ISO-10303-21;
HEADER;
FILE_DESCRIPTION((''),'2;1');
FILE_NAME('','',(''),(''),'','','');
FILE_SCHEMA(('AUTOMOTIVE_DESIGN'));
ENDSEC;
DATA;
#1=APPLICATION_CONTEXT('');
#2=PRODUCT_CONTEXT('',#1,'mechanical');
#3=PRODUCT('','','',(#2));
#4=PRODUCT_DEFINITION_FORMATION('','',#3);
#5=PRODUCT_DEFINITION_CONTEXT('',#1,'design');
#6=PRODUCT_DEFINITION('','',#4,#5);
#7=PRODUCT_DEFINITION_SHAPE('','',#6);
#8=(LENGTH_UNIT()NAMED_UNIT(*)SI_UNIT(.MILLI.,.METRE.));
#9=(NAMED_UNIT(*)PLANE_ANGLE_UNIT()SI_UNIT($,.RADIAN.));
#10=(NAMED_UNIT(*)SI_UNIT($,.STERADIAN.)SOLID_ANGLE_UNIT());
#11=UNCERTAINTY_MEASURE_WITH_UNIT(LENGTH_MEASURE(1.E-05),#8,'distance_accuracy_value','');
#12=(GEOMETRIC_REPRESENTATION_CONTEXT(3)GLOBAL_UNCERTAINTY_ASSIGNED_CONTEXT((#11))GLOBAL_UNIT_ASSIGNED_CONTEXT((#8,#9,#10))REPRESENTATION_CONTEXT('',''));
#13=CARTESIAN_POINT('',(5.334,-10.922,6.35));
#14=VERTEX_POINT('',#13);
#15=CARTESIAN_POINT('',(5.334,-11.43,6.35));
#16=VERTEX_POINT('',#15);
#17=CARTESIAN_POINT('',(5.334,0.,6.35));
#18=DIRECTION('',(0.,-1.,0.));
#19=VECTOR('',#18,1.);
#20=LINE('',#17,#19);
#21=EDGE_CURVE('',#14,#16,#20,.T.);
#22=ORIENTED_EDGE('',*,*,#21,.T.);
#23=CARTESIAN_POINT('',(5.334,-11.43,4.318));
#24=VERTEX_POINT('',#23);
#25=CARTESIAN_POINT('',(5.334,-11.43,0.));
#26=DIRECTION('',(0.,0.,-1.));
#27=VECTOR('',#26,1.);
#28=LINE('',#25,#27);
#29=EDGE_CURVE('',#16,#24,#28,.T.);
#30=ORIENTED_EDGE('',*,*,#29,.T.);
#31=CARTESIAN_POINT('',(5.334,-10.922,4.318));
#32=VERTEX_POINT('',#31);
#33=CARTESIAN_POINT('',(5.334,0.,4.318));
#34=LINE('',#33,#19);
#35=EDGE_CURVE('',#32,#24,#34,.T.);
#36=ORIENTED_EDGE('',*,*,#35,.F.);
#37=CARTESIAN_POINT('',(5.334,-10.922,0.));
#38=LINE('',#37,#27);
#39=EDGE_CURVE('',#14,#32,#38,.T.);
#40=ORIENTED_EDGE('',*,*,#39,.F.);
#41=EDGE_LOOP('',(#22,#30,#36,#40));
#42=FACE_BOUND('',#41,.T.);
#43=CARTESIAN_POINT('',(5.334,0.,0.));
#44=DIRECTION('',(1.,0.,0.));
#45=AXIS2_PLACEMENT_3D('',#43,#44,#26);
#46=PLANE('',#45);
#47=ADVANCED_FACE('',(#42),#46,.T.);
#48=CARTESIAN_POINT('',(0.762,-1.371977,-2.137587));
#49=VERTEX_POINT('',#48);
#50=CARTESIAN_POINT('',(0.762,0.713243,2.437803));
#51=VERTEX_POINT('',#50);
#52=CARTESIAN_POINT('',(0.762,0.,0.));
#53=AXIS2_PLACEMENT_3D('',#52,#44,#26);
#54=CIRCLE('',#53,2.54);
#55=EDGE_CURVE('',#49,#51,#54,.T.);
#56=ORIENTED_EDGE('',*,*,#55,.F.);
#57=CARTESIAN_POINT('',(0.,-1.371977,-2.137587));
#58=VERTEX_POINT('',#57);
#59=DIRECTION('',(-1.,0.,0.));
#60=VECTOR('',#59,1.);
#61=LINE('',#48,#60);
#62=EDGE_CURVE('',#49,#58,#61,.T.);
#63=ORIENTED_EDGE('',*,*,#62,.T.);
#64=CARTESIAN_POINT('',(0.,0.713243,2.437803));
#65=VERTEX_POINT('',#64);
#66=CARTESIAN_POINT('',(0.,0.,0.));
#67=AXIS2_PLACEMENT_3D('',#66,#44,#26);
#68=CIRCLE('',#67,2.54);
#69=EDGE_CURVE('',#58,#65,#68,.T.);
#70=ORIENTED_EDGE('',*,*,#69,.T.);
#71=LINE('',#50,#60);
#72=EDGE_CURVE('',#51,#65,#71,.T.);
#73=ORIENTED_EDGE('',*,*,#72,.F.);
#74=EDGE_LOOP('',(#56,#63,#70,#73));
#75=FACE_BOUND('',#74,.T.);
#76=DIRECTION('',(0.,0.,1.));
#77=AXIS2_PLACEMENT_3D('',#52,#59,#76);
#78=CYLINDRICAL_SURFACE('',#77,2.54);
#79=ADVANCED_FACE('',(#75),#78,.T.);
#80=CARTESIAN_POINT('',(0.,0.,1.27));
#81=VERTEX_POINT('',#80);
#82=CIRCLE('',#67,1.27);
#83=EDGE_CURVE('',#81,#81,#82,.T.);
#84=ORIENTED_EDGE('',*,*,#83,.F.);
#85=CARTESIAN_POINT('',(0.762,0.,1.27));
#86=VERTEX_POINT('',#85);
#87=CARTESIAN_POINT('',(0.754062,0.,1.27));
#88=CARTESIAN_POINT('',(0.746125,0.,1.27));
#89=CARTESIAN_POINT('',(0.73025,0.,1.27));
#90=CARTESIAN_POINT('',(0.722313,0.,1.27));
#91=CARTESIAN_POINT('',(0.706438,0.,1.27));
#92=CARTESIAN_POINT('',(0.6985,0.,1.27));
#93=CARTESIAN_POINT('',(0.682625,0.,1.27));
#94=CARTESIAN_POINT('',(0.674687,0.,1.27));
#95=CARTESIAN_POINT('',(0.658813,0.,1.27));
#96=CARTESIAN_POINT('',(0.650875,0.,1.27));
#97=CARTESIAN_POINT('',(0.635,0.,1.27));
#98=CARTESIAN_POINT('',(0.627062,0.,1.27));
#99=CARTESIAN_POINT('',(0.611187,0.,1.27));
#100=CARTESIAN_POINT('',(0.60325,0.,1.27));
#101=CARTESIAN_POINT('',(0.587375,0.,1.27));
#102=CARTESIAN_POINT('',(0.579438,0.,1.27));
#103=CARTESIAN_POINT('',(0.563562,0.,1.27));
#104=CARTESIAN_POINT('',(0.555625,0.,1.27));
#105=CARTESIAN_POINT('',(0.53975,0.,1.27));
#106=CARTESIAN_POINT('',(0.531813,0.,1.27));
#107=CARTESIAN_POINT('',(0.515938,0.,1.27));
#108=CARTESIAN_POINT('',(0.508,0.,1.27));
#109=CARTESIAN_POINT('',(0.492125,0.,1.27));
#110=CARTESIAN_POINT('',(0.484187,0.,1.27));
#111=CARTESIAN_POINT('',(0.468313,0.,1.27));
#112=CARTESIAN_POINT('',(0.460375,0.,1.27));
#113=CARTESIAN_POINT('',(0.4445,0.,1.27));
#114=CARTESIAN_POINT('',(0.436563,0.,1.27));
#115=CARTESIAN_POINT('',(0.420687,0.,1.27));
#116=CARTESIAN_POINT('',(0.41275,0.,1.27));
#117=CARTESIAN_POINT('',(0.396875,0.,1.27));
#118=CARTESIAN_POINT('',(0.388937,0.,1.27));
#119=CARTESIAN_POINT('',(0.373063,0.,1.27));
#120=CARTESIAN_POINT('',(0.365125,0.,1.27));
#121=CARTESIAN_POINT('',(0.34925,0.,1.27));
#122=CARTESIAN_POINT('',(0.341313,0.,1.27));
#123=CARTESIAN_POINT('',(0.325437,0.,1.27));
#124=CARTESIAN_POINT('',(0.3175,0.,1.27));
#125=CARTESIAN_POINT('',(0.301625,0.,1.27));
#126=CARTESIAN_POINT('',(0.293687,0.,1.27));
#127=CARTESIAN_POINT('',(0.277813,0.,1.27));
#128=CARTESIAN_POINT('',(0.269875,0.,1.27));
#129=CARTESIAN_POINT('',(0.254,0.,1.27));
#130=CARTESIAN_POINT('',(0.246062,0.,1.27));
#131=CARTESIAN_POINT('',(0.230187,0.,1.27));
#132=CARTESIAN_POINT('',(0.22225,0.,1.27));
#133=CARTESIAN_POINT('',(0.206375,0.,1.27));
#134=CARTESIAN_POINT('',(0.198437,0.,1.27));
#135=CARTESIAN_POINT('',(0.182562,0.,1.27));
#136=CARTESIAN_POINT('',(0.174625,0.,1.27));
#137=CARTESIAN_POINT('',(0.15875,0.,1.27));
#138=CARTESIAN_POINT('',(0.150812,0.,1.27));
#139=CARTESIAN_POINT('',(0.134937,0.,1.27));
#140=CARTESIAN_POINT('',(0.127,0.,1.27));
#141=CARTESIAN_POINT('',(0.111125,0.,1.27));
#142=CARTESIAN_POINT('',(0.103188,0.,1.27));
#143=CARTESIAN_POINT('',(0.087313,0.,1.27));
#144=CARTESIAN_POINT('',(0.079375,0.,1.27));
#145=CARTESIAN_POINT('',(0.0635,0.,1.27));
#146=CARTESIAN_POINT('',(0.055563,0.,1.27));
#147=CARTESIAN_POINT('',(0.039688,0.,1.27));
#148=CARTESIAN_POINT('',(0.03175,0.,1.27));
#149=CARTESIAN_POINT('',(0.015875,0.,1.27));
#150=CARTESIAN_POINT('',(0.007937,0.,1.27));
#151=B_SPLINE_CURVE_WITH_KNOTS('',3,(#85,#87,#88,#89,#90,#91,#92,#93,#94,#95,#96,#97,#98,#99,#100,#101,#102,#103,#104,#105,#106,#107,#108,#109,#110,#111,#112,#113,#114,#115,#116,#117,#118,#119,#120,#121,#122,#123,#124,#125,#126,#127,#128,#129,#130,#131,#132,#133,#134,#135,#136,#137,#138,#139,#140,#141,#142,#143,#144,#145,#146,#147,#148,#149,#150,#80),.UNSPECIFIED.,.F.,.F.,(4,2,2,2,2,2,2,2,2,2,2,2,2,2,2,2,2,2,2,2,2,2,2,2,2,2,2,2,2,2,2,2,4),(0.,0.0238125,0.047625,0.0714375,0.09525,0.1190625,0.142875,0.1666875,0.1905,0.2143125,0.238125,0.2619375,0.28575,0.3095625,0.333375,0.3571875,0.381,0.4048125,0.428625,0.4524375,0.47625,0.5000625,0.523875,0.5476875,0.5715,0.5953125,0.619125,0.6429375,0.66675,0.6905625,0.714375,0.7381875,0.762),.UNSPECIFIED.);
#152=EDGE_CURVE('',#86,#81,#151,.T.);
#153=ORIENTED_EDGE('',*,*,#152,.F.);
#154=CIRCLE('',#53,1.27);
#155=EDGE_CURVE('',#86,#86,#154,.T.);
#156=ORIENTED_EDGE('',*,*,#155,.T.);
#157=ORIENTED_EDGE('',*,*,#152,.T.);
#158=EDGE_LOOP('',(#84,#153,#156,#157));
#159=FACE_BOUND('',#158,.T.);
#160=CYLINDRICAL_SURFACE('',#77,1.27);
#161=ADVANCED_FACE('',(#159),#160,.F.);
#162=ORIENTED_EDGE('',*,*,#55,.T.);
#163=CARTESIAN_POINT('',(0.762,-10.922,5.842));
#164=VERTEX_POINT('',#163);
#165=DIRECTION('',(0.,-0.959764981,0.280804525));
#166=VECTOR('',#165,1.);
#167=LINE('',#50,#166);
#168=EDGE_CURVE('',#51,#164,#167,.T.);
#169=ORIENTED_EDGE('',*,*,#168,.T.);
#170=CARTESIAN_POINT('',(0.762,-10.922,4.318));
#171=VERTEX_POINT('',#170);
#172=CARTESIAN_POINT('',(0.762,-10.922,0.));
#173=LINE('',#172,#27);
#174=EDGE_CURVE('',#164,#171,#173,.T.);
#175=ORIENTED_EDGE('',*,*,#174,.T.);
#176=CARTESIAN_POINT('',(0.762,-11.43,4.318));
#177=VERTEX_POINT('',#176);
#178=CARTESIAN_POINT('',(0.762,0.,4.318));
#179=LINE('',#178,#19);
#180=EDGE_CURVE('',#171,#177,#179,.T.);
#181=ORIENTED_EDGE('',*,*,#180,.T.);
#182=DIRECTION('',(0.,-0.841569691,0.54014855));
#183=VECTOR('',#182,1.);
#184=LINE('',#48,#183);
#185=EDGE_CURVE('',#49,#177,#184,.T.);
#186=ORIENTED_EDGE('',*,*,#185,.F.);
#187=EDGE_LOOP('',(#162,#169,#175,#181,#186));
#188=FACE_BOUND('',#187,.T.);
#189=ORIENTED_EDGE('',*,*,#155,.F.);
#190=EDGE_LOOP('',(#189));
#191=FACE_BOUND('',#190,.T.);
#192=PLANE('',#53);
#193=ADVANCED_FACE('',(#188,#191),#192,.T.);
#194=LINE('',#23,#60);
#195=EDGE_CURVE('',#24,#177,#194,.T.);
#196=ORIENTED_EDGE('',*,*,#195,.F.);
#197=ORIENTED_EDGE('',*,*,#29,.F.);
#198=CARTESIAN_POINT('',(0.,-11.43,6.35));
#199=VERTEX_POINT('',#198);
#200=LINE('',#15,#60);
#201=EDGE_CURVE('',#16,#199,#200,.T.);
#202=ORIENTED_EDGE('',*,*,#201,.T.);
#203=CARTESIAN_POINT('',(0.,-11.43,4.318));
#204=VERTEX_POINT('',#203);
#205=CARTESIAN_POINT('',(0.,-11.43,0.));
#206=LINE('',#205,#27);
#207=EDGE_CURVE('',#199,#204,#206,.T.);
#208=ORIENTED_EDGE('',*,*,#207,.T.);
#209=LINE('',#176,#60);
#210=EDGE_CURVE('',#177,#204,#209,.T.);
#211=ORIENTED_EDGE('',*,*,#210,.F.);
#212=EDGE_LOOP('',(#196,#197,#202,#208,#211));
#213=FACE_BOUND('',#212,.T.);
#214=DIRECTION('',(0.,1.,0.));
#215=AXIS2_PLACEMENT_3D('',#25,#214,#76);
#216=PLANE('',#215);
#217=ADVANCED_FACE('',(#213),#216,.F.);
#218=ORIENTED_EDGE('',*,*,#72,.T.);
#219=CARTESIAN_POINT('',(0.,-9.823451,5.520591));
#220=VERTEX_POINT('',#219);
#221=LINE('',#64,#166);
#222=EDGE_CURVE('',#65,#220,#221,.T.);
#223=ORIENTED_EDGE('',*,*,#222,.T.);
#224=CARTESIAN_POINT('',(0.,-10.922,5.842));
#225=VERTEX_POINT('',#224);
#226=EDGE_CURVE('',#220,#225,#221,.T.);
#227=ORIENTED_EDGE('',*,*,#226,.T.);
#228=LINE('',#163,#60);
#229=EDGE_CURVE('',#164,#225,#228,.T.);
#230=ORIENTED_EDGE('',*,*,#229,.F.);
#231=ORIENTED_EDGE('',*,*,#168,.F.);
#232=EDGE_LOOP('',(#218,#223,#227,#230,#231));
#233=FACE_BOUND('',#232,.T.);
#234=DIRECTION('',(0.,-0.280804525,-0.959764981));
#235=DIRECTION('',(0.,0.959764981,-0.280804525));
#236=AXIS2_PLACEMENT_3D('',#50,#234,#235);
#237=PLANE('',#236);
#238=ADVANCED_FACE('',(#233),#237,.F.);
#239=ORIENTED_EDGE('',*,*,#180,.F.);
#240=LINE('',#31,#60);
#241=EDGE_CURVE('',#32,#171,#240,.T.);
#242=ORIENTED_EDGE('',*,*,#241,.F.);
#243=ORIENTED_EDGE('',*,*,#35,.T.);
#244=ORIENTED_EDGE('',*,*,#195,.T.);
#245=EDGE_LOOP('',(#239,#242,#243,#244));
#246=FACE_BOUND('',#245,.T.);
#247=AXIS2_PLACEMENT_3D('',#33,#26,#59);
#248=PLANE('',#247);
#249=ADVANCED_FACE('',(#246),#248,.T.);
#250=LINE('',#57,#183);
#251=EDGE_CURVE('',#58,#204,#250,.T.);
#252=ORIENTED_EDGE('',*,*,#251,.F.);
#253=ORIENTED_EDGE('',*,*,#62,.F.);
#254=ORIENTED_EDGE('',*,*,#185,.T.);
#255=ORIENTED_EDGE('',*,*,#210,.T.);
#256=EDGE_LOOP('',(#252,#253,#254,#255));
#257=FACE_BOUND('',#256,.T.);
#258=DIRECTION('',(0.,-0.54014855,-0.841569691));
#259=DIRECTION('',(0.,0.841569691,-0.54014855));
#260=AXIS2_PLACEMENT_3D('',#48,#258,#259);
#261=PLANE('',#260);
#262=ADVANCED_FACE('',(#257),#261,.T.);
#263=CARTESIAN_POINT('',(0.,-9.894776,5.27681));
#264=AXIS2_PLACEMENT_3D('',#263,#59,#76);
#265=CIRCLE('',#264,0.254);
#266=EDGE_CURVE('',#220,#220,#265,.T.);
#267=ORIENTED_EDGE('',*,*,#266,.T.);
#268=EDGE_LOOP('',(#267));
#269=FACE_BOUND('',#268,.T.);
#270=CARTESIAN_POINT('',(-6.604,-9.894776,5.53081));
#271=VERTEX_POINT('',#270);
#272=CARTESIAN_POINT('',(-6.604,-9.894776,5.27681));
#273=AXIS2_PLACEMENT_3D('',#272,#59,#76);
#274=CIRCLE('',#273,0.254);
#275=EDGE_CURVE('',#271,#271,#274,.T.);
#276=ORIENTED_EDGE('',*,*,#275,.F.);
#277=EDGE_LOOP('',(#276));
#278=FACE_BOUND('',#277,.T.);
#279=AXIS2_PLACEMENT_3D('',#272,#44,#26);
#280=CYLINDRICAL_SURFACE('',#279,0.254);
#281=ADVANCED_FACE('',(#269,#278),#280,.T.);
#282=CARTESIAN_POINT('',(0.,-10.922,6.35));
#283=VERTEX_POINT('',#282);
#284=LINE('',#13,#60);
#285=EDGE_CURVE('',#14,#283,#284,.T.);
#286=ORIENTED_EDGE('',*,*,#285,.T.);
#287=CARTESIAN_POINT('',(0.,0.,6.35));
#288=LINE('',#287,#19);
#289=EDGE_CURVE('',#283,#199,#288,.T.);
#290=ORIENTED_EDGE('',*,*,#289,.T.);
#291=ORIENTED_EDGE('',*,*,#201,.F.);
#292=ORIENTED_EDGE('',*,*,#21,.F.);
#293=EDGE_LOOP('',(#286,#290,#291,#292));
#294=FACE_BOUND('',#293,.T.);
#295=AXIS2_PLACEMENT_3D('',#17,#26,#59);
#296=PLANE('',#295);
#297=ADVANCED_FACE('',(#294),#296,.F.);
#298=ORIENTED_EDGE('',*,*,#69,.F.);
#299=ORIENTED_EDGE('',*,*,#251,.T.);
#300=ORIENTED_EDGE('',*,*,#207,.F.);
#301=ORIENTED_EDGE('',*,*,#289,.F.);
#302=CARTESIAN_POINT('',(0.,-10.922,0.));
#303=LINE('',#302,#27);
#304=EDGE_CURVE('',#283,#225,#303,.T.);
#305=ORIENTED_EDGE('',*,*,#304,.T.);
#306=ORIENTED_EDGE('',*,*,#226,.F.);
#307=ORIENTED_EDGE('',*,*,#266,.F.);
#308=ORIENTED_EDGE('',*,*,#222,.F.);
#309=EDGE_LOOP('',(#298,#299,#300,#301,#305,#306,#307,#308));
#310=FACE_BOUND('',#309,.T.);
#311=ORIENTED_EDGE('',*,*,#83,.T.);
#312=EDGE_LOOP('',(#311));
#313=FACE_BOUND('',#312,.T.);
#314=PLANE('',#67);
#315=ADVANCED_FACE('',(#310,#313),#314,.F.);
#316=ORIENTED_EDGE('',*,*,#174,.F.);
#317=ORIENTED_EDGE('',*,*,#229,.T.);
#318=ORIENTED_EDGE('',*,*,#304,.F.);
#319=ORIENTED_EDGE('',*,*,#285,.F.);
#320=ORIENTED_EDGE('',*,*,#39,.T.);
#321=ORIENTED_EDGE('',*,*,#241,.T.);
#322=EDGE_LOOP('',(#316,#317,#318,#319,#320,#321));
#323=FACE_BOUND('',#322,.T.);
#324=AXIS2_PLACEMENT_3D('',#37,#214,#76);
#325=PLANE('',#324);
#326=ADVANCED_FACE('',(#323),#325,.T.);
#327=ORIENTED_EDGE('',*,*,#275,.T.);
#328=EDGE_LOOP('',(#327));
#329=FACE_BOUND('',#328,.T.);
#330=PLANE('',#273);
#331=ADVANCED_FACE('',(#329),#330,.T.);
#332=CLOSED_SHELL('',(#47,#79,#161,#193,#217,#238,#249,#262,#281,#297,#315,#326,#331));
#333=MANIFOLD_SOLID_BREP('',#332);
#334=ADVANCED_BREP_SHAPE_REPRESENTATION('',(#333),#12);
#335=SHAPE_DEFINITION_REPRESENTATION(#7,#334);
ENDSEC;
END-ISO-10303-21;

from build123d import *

# Parameters (mm, degrees)
BOSS_EXTRUDE1_DEPTH = 5.334
SKETCH1_3_R         = 1.27
BOSS_EXTRUDE2_DEPTH = 0.762
SKETCH2_R           = 0.254
BOSS_EXTRUDE3_DEPTH = 6.604


with BuildPart() as part:
    # Sketch1 → Boss-Extrude1 (new body)
    with BuildSketch(Plane(origin=(0, 0, 0), x_dir=(0, 0, -1), z_dir=(1, 0, 0))):
        Polygon((-6.35, -11.43), (-4.318, -11.43), (-4.318, -10.922), (-5.842, -10.922), (-6.35, -10.922), align=None)
    extrude(amount=BOSS_EXTRUDE1_DEPTH)

    # Sketch1<3> → Boss-Extrude2 (add)
    with BuildSketch(Plane(origin=(0, 0, 0), x_dir=(0, 0, -1), z_dir=(1, 0, 0))):
        with BuildLine():
            Line((-4.318, -11.43), (2.137587014, -1.371977316))
            ThreePointArc((2.137587014, -1.371977316), (1.053360752, 2.311283437), (-2.437803052, 0.713243493))
            Line((-2.437803052, 0.713243493), (-5.842, -10.922))
            Line((-5.842, -10.922), (-4.318, -10.922))
            Line((-4.318, -10.922), (-4.318, -11.43))
        make_face()
        Circle(SKETCH1_3_R, mode=Mode.SUBTRACT)
    extrude(amount=BOSS_EXTRUDE2_DEPTH)

    # Sketch2 → Boss-Extrude3 (add)
    with BuildSketch(Plane.ZY):
        with Locations((5.27681031, -9.894775555)):
            Circle(SKETCH2_R)
    extrude(amount=BOSS_EXTRUDE3_DEPTH)


solid = part.part
